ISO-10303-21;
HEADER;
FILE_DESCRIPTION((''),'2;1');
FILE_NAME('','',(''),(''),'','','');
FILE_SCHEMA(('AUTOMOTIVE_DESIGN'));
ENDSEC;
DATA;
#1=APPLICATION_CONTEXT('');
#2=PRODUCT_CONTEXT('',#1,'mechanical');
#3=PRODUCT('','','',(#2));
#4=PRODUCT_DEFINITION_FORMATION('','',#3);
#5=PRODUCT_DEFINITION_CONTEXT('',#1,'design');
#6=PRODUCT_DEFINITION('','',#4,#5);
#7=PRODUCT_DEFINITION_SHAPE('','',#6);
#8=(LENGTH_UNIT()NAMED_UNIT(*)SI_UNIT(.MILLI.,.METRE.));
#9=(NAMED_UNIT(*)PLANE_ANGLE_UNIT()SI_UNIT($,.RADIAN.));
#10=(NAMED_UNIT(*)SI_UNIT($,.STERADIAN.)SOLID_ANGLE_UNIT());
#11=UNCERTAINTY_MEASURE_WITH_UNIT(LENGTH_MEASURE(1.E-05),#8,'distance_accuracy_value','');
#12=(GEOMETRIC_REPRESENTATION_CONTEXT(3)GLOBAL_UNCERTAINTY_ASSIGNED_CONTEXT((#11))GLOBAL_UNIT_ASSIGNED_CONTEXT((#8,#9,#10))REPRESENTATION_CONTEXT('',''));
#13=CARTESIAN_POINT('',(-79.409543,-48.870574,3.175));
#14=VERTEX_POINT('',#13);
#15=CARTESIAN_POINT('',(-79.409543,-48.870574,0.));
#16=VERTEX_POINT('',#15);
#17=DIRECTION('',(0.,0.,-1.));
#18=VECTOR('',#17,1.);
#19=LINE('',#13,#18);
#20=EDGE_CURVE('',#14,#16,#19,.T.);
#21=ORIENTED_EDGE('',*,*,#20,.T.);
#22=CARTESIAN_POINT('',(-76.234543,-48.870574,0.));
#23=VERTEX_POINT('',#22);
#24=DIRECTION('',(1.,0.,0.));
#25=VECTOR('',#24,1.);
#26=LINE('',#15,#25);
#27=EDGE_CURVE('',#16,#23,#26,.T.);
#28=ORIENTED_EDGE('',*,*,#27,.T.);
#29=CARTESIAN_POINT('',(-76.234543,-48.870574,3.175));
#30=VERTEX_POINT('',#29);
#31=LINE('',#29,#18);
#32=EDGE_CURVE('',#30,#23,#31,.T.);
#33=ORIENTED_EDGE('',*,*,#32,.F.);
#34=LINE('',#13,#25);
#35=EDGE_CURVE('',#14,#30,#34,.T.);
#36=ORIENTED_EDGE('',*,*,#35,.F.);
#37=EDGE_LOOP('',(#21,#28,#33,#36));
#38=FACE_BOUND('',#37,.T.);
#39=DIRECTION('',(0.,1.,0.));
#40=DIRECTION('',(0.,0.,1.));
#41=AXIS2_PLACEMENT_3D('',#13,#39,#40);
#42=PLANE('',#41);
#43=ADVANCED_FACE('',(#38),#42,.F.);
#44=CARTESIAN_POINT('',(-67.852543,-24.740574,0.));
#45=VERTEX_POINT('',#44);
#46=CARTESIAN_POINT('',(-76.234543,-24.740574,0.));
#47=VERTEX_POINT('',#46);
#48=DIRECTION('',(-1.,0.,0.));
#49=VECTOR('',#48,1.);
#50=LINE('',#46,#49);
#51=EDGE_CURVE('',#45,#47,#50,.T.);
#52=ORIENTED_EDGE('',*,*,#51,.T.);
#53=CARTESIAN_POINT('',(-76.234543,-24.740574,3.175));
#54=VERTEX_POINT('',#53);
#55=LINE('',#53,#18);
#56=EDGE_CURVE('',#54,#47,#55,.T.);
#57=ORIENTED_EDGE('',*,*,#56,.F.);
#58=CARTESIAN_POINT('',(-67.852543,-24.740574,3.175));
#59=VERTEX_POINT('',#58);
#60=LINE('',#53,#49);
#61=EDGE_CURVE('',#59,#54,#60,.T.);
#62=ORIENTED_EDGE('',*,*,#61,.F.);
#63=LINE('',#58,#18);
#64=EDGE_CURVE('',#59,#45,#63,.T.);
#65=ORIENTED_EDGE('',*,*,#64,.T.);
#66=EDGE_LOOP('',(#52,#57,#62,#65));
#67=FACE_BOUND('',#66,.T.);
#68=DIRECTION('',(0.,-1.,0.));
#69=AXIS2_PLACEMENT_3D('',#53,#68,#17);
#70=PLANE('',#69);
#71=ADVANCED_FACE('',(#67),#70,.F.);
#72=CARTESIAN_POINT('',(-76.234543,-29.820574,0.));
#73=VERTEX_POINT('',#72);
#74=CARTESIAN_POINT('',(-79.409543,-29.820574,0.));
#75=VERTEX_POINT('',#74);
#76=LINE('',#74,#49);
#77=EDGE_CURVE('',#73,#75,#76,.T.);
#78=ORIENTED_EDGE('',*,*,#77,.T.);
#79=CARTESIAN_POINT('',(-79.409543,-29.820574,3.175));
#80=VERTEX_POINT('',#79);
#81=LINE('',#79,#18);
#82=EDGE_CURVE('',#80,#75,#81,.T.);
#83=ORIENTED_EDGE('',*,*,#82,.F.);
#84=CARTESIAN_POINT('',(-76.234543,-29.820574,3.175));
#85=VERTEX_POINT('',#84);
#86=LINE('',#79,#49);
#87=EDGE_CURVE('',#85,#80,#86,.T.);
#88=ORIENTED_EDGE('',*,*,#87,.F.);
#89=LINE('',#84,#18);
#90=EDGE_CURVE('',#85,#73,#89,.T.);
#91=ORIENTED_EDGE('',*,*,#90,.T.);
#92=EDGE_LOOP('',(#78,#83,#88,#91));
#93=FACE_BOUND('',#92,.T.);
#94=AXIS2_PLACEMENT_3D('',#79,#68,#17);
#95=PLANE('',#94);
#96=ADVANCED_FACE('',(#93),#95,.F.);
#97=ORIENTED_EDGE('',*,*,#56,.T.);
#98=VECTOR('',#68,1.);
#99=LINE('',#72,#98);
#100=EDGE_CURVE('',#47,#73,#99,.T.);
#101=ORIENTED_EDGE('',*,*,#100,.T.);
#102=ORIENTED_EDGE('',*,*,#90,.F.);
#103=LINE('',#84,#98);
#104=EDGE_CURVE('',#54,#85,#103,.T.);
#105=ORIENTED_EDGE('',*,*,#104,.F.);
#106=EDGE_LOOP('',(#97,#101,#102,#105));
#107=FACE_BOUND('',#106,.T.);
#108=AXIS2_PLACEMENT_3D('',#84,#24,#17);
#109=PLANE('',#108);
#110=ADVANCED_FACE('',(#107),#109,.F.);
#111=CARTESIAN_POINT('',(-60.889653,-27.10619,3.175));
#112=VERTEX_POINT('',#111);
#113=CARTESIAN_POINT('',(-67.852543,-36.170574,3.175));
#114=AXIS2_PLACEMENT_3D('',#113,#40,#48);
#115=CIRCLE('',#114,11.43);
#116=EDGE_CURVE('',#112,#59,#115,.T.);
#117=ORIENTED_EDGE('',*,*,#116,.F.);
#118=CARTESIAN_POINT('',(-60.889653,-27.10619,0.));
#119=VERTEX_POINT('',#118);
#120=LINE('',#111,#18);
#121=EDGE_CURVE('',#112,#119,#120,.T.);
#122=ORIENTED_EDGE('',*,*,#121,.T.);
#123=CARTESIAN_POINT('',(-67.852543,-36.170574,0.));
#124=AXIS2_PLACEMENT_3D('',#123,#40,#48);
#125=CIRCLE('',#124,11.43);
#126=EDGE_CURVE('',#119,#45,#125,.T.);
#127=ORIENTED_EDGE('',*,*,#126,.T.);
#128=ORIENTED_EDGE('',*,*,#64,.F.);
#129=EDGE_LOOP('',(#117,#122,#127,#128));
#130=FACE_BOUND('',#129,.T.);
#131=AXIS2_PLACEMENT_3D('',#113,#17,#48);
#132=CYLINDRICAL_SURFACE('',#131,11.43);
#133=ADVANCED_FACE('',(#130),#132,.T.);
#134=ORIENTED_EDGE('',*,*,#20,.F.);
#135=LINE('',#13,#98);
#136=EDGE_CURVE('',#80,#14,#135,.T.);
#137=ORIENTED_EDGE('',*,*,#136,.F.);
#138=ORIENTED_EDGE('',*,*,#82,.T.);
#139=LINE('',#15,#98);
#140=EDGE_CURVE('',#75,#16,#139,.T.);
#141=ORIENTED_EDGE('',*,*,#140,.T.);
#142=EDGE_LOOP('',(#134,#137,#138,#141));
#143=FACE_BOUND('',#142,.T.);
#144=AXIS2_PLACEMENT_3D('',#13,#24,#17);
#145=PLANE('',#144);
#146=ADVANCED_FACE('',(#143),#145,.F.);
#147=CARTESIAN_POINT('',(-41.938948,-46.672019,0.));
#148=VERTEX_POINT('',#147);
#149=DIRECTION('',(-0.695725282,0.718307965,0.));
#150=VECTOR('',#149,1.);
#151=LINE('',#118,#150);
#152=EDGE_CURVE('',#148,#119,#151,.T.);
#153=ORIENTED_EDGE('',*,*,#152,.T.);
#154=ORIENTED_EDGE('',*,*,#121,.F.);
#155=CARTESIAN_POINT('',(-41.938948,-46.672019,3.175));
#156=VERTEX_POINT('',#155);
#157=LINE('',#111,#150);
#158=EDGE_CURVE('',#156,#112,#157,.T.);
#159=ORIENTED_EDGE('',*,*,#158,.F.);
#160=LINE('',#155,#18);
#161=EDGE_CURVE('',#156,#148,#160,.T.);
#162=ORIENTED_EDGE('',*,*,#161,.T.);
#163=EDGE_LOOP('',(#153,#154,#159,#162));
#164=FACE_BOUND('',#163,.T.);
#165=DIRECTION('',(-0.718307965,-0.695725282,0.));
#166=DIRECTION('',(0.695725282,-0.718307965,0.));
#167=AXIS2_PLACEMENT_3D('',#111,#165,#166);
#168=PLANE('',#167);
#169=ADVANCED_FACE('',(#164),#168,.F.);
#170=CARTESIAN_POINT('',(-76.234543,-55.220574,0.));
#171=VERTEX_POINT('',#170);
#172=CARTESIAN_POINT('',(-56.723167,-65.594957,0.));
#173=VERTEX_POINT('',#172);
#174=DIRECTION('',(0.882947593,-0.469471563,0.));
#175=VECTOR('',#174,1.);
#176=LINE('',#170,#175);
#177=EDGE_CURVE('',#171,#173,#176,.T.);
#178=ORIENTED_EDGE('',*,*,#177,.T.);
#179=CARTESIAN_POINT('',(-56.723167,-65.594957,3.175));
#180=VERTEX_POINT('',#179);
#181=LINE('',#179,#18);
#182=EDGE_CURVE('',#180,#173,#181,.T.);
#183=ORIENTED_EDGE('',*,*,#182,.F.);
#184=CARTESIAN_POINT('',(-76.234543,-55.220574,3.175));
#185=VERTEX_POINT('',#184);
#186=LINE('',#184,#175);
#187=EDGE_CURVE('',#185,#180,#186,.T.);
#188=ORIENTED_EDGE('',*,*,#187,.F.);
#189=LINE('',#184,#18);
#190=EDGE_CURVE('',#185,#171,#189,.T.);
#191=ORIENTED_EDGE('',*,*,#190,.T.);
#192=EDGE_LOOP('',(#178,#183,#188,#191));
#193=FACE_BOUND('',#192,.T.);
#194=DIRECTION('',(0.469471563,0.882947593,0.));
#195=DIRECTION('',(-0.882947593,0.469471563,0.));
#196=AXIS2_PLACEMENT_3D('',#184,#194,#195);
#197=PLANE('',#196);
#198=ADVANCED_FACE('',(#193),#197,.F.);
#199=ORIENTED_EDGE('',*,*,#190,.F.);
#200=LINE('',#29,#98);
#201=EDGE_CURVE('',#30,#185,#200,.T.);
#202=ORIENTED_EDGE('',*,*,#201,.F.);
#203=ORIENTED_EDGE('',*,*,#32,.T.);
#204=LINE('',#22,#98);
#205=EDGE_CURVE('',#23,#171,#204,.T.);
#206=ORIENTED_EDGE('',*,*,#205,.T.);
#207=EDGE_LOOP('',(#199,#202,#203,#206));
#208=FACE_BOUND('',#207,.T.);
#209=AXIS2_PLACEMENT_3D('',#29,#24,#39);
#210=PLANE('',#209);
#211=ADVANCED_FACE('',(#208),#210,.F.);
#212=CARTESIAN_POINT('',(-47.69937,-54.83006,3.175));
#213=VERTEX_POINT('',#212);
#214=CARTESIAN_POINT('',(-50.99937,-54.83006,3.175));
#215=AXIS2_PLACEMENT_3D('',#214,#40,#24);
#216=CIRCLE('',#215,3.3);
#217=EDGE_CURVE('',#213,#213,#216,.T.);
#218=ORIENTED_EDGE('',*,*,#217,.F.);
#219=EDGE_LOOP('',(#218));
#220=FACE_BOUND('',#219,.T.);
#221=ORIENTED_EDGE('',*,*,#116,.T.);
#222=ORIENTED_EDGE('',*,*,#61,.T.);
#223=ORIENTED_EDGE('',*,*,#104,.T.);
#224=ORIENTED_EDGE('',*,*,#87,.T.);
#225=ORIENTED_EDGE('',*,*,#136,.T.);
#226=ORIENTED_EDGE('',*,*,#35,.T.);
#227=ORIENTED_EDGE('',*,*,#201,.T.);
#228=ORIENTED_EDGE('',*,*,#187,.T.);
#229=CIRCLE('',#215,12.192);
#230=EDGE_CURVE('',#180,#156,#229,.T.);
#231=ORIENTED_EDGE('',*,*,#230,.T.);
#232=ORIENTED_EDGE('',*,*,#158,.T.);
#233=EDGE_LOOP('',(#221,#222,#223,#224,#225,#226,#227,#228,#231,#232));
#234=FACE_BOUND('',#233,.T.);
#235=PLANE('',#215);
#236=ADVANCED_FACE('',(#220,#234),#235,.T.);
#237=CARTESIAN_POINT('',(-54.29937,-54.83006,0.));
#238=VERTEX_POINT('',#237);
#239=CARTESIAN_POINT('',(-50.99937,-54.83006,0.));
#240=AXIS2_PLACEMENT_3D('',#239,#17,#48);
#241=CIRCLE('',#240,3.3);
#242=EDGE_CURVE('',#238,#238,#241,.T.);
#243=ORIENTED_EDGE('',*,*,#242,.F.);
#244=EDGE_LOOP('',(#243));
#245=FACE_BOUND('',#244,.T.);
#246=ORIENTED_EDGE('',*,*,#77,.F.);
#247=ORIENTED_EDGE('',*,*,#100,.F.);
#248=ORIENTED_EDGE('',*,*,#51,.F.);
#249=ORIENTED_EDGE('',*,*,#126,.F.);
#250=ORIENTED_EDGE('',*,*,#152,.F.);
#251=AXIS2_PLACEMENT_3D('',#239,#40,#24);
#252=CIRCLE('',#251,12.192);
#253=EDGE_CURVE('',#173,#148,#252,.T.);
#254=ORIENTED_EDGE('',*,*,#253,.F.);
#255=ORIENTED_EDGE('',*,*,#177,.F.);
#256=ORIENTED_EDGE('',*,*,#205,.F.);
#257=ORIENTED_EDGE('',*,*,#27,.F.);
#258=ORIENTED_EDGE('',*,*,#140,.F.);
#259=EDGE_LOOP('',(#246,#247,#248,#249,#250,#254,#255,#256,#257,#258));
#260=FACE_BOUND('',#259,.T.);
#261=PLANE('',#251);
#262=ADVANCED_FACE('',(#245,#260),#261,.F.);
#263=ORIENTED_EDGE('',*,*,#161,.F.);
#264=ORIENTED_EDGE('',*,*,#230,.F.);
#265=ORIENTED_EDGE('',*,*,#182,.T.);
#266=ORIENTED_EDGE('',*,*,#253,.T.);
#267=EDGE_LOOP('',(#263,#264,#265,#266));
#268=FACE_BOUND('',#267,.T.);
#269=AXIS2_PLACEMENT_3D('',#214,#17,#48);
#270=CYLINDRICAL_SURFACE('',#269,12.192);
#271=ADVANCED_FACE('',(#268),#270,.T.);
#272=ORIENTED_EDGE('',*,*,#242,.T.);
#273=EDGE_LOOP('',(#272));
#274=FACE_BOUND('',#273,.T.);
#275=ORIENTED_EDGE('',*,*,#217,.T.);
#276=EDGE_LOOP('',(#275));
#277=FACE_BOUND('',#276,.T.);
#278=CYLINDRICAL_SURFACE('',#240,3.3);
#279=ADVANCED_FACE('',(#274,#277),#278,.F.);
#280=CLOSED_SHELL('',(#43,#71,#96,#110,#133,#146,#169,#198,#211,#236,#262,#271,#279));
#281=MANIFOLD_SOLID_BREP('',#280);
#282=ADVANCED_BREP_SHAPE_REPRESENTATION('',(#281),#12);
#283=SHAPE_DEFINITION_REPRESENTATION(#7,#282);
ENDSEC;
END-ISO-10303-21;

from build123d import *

# Parameters (mm, degrees)
BOSS_EXTRUDE1_DEPTH      = 3.175
M6_CLEARANCE_HOLE1_D     = 6.6
M6_CLEARANCE_HOLE1_DEPTH = 3.302
M6_CLEARANCE_HOLE1_TIP   = 1.982840043


with BuildPart() as part:
    # Sketch1 → Boss-Extrude1 (new body)
    with BuildSketch(Plane.XY):
        with BuildLine():
            Line((-79.409543338, -48.870574021), (-79.409543338, -29.820574021))
            Line((-79.409543338, -29.820574021), (-76.234543338, -29.820574021))
            Line((-76.234543338, -29.820574021), (-76.234543338, -24.740574021))
            Line((-76.234543338, -24.740574021), (-67.852543338, -24.740574021))
            ThreePointArc((-67.852543338, -24.740574021), (-64.175656813, -25.348124877), (-60.889653149, -27.10618986))
            Line((-60.889653149, -27.10618986), (-41.938948425, -46.672019211))
            ThreePointArc((-41.938948425, -46.672019211), (-41.391943029, -62.336204271), (-56.723167431, -65.594956616))
            Line((-56.723167431, -65.594956616), (-76.234543338, -55.220574021))
            Line((-76.234543338, -55.220574021), (-76.234543338, -48.870574021))
            Line((-76.234543338, -48.870574021), (-79.409543338, -48.870574021))
        make_face()
    extrude(amount=BOSS_EXTRUDE1_DEPTH)

    # M6 Clearance Hole1
    with Locations(Plane(origin=(0, 0, 0), x_dir=(-1, 0, 0), z_dir=(0, 0, -1))):
        with Locations((50.999370137, -54.830059564)):
            Hole(M6_CLEARANCE_HOLE1_D / 2, depth=M6_CLEARANCE_HOLE1_DEPTH)
            with Locations((0, 0, -(M6_CLEARANCE_HOLE1_DEPTH + M6_CLEARANCE_HOLE1_TIP / 2))):  # 118° drill point
                Cone(0, M6_CLEARANCE_HOLE1_D / 2, M6_CLEARANCE_HOLE1_TIP, mode=Mode.SUBTRACT)


solid = part.part
